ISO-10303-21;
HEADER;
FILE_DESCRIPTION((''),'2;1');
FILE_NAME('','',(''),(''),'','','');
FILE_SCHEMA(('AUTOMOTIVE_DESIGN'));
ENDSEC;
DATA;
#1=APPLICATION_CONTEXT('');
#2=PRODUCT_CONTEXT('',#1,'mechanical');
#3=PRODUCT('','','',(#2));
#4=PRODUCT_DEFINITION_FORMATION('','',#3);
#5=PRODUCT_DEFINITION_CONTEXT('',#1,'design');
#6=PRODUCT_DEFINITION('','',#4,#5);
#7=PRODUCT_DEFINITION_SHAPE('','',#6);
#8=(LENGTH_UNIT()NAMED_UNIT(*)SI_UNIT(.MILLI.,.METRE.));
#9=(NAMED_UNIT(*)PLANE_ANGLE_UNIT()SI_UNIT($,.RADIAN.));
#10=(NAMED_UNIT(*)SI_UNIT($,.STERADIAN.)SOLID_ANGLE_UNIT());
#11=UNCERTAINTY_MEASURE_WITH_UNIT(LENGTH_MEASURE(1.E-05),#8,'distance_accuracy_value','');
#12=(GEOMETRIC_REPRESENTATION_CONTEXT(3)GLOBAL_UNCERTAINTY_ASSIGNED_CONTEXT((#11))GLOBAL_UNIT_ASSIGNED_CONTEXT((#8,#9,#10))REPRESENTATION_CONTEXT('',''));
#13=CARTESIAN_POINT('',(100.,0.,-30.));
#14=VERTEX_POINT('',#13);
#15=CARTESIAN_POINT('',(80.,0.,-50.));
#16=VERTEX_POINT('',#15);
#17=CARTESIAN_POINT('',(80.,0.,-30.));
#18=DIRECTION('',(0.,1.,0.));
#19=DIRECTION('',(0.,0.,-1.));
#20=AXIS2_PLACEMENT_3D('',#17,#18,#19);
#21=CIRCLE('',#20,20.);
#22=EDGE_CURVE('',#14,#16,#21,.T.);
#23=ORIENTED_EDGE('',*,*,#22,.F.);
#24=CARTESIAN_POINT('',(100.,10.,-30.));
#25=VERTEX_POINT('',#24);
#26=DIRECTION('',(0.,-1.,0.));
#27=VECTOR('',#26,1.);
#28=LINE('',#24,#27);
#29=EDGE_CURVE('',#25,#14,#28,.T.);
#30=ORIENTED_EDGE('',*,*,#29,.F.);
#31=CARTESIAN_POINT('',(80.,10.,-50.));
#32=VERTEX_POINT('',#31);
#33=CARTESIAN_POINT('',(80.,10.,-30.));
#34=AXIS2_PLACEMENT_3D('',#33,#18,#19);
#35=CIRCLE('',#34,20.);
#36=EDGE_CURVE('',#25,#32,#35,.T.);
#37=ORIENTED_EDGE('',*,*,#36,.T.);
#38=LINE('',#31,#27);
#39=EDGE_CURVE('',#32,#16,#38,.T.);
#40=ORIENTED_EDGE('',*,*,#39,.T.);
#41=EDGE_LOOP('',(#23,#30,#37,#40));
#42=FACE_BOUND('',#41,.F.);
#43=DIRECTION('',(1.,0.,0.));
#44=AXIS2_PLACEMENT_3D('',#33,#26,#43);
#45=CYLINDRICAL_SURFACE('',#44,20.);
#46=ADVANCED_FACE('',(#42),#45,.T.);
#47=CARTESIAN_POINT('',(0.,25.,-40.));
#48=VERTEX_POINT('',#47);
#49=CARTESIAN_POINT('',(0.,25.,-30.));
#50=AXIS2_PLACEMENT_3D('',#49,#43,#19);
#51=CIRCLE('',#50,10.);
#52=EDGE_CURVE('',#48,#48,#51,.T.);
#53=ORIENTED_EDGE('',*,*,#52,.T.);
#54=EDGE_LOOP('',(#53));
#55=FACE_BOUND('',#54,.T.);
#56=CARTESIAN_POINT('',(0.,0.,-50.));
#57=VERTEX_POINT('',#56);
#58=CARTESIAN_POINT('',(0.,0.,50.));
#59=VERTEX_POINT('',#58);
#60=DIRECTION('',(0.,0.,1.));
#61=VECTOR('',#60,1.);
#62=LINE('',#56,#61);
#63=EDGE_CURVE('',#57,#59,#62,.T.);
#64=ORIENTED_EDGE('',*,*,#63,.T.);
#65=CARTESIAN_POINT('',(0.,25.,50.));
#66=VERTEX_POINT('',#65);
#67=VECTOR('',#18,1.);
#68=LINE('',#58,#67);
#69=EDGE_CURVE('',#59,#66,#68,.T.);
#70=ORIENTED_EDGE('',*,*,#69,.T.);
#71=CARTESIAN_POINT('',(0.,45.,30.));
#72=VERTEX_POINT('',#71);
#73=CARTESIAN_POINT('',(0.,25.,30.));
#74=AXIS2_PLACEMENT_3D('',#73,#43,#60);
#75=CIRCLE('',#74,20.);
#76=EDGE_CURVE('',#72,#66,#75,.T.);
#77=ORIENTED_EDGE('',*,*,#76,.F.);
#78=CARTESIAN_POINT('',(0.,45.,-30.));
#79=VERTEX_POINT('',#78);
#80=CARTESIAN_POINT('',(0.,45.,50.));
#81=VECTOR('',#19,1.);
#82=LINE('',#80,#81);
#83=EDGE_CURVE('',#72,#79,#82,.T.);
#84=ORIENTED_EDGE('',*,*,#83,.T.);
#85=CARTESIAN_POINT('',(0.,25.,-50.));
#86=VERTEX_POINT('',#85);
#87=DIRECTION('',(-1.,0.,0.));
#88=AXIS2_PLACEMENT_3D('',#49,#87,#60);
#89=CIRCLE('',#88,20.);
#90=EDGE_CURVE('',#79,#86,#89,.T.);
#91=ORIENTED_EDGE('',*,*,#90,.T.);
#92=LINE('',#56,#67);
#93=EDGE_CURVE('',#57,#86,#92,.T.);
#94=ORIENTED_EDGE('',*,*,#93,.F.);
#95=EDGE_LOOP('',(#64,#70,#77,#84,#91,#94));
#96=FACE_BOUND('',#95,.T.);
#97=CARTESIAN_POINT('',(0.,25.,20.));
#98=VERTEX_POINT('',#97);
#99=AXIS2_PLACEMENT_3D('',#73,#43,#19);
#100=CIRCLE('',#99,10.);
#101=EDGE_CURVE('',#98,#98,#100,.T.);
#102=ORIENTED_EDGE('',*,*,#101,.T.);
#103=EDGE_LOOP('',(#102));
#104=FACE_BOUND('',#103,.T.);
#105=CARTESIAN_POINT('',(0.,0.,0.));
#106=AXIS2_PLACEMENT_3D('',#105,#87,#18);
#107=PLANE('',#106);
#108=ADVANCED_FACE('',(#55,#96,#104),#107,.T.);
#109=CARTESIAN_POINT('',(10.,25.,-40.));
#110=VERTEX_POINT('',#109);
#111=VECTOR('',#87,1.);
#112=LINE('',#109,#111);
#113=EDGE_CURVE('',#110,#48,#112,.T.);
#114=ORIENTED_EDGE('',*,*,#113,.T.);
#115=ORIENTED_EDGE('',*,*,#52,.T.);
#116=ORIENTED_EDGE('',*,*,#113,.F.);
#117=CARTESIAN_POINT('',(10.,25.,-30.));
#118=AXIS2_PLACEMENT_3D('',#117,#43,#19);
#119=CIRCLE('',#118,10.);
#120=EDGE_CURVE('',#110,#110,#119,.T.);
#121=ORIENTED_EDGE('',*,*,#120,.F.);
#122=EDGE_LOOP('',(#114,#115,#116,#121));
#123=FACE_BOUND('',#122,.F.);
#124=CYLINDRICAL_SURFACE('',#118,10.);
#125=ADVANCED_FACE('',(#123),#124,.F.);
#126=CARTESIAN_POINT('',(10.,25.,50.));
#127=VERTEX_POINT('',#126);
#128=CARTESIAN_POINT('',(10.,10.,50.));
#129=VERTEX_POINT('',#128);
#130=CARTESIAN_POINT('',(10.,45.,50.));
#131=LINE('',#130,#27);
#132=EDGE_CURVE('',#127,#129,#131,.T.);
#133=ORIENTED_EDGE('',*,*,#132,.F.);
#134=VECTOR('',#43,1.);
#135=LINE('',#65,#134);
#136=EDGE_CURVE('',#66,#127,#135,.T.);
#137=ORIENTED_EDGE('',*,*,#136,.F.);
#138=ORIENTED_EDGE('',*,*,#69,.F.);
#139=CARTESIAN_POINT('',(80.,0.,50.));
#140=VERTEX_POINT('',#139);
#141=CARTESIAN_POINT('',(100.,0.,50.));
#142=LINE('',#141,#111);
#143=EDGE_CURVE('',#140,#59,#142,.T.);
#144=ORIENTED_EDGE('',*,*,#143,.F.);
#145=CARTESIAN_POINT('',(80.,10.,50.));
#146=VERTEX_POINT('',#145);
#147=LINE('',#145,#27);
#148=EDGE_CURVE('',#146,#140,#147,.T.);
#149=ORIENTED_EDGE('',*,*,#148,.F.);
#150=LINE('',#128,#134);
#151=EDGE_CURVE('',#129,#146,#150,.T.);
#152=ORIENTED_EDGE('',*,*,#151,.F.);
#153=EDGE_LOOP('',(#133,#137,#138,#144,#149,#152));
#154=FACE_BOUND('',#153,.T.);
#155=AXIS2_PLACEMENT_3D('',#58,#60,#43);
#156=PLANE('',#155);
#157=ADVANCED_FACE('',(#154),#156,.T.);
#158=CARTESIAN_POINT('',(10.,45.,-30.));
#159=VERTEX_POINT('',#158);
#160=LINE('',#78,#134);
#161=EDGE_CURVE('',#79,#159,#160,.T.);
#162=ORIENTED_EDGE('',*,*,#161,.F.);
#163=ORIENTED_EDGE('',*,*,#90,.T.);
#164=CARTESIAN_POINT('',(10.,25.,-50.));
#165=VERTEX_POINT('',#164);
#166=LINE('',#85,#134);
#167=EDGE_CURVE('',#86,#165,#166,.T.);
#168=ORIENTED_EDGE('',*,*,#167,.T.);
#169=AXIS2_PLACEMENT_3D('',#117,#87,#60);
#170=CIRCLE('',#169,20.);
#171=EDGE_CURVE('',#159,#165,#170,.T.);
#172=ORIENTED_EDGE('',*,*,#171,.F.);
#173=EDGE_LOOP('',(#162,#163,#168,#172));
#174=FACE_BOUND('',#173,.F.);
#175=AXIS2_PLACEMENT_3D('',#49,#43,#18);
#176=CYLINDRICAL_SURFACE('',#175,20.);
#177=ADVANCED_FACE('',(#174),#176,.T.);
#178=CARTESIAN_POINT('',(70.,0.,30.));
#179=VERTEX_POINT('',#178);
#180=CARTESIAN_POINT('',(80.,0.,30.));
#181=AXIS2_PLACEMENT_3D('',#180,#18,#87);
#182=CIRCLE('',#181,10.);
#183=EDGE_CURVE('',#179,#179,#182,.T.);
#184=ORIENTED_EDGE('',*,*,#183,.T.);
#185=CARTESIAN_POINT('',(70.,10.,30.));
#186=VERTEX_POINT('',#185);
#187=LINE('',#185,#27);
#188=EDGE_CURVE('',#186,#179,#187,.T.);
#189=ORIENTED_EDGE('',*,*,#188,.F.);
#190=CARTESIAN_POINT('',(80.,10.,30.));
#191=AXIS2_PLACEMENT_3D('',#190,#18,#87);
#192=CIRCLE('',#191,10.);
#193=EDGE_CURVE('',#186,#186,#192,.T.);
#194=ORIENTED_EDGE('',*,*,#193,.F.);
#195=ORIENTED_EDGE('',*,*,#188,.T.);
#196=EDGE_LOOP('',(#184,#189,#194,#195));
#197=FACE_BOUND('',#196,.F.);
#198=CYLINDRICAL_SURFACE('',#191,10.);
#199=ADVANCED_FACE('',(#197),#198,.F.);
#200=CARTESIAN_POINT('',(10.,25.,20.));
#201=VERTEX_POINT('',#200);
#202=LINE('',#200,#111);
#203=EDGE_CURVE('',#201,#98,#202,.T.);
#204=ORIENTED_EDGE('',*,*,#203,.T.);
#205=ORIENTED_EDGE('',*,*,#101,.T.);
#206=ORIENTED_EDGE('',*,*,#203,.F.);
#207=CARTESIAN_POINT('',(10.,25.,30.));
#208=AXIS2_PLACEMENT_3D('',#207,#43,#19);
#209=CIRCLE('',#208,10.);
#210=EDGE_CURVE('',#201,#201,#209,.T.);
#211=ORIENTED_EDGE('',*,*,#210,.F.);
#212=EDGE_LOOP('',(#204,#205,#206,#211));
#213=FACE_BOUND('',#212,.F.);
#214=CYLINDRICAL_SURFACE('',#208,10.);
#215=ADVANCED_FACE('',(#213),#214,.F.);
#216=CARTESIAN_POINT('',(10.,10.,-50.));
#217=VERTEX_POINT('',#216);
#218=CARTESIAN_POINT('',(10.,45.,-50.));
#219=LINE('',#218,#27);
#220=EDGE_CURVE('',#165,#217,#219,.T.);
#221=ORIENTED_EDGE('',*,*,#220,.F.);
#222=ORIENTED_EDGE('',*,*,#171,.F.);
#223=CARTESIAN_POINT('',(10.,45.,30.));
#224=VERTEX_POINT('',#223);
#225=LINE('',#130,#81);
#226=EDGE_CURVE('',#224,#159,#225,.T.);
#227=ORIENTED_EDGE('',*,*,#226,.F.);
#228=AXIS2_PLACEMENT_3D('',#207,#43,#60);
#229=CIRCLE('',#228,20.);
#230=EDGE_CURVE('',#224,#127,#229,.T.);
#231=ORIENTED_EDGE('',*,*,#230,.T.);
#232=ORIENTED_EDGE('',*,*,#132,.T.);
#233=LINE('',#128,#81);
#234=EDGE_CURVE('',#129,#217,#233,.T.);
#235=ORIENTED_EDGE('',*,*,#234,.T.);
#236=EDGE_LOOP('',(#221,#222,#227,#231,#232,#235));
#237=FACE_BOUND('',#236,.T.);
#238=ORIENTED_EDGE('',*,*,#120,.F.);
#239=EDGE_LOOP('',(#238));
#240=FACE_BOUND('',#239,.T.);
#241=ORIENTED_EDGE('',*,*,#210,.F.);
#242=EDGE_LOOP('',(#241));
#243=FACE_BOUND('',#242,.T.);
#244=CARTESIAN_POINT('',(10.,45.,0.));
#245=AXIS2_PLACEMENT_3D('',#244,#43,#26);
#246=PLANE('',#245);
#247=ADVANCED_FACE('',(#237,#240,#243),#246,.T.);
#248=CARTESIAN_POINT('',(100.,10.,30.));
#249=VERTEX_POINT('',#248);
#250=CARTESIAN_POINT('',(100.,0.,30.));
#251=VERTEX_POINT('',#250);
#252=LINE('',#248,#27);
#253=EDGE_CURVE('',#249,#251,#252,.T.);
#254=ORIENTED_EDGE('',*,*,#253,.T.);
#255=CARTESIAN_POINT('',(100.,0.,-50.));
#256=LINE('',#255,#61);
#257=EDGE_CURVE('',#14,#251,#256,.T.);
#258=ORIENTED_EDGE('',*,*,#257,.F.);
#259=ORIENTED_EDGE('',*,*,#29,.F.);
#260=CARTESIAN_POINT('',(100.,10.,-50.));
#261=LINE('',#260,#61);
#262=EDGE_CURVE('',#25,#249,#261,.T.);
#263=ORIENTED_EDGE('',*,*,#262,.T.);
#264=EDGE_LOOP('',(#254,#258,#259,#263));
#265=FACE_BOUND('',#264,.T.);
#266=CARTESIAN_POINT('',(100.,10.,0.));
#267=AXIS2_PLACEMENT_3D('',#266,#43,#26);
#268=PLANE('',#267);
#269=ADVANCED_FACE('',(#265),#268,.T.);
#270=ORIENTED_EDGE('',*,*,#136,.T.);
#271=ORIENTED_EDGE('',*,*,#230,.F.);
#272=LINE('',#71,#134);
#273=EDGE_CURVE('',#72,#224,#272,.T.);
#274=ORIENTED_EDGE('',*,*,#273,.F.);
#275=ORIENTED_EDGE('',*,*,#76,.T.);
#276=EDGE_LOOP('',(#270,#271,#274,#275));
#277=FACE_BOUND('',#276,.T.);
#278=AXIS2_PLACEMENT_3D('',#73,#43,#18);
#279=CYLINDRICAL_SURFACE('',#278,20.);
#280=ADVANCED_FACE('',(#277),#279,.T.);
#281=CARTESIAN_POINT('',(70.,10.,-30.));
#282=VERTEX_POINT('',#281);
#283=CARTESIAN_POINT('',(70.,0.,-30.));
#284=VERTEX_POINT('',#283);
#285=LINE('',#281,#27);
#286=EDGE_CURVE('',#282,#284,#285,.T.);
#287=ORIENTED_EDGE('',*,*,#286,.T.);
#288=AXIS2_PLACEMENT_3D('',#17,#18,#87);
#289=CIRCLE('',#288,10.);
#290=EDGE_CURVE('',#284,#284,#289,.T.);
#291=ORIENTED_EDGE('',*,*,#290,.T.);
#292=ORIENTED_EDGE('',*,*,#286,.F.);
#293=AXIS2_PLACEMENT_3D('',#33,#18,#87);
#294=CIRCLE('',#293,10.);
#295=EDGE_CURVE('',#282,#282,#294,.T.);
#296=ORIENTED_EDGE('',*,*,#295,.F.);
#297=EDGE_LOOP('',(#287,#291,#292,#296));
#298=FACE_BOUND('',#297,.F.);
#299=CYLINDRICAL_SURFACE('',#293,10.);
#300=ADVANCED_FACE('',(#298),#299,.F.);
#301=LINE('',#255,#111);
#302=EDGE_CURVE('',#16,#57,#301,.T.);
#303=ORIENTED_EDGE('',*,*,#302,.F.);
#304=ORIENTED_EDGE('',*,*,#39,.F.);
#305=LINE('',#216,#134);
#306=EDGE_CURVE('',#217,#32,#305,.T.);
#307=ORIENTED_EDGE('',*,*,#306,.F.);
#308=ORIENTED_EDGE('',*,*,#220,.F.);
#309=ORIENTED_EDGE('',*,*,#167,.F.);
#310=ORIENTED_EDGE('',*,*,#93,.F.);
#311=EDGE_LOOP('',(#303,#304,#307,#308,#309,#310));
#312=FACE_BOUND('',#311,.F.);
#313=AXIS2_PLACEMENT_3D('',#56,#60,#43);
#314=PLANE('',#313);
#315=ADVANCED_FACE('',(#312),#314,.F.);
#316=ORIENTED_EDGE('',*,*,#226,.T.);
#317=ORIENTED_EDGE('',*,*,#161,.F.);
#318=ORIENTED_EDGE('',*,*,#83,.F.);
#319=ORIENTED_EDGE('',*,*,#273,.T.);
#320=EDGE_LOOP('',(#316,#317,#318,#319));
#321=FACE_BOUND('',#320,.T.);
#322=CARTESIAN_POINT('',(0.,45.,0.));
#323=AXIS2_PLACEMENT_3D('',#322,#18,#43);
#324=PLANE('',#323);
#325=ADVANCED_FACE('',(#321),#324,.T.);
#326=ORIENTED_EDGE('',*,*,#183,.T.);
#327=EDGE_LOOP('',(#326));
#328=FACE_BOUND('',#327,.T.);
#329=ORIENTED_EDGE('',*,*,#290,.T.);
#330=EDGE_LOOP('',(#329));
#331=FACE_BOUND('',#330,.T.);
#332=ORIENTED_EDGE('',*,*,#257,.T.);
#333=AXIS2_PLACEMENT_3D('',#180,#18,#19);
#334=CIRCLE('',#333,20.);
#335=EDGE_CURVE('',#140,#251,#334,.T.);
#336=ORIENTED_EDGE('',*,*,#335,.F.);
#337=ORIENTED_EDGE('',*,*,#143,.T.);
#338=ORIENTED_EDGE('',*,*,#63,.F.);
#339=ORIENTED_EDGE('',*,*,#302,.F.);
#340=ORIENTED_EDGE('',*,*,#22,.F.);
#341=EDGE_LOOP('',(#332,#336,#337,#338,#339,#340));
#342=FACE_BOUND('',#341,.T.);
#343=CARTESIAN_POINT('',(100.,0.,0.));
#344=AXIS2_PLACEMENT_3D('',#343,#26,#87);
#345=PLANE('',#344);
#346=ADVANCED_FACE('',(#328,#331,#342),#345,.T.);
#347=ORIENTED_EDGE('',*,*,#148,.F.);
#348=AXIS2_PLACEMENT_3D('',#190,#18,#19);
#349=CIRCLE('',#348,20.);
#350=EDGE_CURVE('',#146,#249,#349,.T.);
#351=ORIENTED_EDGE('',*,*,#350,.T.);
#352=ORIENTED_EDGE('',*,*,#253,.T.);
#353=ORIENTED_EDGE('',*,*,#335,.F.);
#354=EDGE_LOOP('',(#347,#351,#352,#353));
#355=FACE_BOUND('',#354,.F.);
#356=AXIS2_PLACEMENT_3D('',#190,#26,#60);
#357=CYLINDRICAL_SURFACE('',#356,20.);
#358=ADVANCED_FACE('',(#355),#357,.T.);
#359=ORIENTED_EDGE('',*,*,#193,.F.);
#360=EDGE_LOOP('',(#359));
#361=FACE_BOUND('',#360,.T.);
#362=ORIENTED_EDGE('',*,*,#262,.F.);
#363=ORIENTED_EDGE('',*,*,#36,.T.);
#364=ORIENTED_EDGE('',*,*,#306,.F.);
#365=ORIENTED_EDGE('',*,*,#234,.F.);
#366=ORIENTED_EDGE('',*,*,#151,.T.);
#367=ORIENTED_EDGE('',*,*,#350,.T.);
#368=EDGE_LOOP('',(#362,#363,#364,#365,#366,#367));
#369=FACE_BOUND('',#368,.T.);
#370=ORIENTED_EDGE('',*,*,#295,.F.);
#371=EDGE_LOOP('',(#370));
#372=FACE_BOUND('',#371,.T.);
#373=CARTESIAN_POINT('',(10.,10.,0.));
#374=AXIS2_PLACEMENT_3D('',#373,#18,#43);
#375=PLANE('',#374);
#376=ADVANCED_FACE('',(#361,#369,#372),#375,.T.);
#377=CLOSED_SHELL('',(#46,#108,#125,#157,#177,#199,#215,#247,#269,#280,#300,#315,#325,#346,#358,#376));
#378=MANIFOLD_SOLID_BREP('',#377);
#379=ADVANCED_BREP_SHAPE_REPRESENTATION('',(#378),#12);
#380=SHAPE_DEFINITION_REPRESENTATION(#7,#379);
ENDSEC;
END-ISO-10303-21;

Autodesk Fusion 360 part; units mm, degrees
sketch "Sketch1" plane through (0, 0, 0) normal (0, 0, 1) x (1, 0, 0)
  line L0 (0, 0) -> (0, 45)
  line L1 (0, 45) -> (10, 45)
  line L2 (10, 45) -> (10, 10)
  line L3 (10, 10) -> (100, 10)
  line L4 (100, 10) -> (100, 0)
  line L5 (100, 0) -> (0, 0)
  dimension "d1" = 10
  dimension "d2" = 100
  dimension "d3" = 45
extrude "Extrude1" add sketch "Sketch1" along normal mid plane 100
fillet "Fillet1" radius 20 4 edges at (5, 45, 50) (5, 45, -50) (100, 5, -50) (100, 5, 50)
sketch "Sketch2" plane through (10, 0, 0) normal (1, 0, 0) x (0, 0, -1)
  arc A0 (50, 25) -> (30, 45) centre (30, 25) ccw
  line L0 (30, 45) -> (-30, 45)
  arc A1 (-30, 45) -> (-50, 25) centre (-30, 25) ccw
  line L1 (-50, 25) -> (-50, 10)
  line L2 (-50, 10) -> (50, 10)
  line L3 (50, 10) -> (50, 25)
  circle A2 centre (-30, 25) radius 10
  circle A3 centre (30, 25) radius 10
  dimension "d7" = 20
extrude "Extrude2" cut sketch "Sketch2" against normal through all contours A2 | A3
sketch "Sketch3" plane through (0, 10, 0) normal (0, 1, 0) x (-1, 0, 0)
  arc A0 (-80, 50) -> (-100, 30) centre (-80, 30) ccw
  line L0 (-100, 30) -> (-100, -30)
  arc A1 (-100, -30) -> (-80, -50) centre (-80, -30) ccw
  line L1 (-80, -50) -> (-10, -50)
  line L2 (-10, -50) -> (-10, 50)
  line L3 (-10, 50) -> (-80, 50)
  circle A2 centre (-80, -30) radius 10
  circle A3 centre (-80, 30) radius 10
  dimension "d9" = 20
extrude "Extrude3" cut sketch "Sketch3" against normal through all contours A2 | A3
